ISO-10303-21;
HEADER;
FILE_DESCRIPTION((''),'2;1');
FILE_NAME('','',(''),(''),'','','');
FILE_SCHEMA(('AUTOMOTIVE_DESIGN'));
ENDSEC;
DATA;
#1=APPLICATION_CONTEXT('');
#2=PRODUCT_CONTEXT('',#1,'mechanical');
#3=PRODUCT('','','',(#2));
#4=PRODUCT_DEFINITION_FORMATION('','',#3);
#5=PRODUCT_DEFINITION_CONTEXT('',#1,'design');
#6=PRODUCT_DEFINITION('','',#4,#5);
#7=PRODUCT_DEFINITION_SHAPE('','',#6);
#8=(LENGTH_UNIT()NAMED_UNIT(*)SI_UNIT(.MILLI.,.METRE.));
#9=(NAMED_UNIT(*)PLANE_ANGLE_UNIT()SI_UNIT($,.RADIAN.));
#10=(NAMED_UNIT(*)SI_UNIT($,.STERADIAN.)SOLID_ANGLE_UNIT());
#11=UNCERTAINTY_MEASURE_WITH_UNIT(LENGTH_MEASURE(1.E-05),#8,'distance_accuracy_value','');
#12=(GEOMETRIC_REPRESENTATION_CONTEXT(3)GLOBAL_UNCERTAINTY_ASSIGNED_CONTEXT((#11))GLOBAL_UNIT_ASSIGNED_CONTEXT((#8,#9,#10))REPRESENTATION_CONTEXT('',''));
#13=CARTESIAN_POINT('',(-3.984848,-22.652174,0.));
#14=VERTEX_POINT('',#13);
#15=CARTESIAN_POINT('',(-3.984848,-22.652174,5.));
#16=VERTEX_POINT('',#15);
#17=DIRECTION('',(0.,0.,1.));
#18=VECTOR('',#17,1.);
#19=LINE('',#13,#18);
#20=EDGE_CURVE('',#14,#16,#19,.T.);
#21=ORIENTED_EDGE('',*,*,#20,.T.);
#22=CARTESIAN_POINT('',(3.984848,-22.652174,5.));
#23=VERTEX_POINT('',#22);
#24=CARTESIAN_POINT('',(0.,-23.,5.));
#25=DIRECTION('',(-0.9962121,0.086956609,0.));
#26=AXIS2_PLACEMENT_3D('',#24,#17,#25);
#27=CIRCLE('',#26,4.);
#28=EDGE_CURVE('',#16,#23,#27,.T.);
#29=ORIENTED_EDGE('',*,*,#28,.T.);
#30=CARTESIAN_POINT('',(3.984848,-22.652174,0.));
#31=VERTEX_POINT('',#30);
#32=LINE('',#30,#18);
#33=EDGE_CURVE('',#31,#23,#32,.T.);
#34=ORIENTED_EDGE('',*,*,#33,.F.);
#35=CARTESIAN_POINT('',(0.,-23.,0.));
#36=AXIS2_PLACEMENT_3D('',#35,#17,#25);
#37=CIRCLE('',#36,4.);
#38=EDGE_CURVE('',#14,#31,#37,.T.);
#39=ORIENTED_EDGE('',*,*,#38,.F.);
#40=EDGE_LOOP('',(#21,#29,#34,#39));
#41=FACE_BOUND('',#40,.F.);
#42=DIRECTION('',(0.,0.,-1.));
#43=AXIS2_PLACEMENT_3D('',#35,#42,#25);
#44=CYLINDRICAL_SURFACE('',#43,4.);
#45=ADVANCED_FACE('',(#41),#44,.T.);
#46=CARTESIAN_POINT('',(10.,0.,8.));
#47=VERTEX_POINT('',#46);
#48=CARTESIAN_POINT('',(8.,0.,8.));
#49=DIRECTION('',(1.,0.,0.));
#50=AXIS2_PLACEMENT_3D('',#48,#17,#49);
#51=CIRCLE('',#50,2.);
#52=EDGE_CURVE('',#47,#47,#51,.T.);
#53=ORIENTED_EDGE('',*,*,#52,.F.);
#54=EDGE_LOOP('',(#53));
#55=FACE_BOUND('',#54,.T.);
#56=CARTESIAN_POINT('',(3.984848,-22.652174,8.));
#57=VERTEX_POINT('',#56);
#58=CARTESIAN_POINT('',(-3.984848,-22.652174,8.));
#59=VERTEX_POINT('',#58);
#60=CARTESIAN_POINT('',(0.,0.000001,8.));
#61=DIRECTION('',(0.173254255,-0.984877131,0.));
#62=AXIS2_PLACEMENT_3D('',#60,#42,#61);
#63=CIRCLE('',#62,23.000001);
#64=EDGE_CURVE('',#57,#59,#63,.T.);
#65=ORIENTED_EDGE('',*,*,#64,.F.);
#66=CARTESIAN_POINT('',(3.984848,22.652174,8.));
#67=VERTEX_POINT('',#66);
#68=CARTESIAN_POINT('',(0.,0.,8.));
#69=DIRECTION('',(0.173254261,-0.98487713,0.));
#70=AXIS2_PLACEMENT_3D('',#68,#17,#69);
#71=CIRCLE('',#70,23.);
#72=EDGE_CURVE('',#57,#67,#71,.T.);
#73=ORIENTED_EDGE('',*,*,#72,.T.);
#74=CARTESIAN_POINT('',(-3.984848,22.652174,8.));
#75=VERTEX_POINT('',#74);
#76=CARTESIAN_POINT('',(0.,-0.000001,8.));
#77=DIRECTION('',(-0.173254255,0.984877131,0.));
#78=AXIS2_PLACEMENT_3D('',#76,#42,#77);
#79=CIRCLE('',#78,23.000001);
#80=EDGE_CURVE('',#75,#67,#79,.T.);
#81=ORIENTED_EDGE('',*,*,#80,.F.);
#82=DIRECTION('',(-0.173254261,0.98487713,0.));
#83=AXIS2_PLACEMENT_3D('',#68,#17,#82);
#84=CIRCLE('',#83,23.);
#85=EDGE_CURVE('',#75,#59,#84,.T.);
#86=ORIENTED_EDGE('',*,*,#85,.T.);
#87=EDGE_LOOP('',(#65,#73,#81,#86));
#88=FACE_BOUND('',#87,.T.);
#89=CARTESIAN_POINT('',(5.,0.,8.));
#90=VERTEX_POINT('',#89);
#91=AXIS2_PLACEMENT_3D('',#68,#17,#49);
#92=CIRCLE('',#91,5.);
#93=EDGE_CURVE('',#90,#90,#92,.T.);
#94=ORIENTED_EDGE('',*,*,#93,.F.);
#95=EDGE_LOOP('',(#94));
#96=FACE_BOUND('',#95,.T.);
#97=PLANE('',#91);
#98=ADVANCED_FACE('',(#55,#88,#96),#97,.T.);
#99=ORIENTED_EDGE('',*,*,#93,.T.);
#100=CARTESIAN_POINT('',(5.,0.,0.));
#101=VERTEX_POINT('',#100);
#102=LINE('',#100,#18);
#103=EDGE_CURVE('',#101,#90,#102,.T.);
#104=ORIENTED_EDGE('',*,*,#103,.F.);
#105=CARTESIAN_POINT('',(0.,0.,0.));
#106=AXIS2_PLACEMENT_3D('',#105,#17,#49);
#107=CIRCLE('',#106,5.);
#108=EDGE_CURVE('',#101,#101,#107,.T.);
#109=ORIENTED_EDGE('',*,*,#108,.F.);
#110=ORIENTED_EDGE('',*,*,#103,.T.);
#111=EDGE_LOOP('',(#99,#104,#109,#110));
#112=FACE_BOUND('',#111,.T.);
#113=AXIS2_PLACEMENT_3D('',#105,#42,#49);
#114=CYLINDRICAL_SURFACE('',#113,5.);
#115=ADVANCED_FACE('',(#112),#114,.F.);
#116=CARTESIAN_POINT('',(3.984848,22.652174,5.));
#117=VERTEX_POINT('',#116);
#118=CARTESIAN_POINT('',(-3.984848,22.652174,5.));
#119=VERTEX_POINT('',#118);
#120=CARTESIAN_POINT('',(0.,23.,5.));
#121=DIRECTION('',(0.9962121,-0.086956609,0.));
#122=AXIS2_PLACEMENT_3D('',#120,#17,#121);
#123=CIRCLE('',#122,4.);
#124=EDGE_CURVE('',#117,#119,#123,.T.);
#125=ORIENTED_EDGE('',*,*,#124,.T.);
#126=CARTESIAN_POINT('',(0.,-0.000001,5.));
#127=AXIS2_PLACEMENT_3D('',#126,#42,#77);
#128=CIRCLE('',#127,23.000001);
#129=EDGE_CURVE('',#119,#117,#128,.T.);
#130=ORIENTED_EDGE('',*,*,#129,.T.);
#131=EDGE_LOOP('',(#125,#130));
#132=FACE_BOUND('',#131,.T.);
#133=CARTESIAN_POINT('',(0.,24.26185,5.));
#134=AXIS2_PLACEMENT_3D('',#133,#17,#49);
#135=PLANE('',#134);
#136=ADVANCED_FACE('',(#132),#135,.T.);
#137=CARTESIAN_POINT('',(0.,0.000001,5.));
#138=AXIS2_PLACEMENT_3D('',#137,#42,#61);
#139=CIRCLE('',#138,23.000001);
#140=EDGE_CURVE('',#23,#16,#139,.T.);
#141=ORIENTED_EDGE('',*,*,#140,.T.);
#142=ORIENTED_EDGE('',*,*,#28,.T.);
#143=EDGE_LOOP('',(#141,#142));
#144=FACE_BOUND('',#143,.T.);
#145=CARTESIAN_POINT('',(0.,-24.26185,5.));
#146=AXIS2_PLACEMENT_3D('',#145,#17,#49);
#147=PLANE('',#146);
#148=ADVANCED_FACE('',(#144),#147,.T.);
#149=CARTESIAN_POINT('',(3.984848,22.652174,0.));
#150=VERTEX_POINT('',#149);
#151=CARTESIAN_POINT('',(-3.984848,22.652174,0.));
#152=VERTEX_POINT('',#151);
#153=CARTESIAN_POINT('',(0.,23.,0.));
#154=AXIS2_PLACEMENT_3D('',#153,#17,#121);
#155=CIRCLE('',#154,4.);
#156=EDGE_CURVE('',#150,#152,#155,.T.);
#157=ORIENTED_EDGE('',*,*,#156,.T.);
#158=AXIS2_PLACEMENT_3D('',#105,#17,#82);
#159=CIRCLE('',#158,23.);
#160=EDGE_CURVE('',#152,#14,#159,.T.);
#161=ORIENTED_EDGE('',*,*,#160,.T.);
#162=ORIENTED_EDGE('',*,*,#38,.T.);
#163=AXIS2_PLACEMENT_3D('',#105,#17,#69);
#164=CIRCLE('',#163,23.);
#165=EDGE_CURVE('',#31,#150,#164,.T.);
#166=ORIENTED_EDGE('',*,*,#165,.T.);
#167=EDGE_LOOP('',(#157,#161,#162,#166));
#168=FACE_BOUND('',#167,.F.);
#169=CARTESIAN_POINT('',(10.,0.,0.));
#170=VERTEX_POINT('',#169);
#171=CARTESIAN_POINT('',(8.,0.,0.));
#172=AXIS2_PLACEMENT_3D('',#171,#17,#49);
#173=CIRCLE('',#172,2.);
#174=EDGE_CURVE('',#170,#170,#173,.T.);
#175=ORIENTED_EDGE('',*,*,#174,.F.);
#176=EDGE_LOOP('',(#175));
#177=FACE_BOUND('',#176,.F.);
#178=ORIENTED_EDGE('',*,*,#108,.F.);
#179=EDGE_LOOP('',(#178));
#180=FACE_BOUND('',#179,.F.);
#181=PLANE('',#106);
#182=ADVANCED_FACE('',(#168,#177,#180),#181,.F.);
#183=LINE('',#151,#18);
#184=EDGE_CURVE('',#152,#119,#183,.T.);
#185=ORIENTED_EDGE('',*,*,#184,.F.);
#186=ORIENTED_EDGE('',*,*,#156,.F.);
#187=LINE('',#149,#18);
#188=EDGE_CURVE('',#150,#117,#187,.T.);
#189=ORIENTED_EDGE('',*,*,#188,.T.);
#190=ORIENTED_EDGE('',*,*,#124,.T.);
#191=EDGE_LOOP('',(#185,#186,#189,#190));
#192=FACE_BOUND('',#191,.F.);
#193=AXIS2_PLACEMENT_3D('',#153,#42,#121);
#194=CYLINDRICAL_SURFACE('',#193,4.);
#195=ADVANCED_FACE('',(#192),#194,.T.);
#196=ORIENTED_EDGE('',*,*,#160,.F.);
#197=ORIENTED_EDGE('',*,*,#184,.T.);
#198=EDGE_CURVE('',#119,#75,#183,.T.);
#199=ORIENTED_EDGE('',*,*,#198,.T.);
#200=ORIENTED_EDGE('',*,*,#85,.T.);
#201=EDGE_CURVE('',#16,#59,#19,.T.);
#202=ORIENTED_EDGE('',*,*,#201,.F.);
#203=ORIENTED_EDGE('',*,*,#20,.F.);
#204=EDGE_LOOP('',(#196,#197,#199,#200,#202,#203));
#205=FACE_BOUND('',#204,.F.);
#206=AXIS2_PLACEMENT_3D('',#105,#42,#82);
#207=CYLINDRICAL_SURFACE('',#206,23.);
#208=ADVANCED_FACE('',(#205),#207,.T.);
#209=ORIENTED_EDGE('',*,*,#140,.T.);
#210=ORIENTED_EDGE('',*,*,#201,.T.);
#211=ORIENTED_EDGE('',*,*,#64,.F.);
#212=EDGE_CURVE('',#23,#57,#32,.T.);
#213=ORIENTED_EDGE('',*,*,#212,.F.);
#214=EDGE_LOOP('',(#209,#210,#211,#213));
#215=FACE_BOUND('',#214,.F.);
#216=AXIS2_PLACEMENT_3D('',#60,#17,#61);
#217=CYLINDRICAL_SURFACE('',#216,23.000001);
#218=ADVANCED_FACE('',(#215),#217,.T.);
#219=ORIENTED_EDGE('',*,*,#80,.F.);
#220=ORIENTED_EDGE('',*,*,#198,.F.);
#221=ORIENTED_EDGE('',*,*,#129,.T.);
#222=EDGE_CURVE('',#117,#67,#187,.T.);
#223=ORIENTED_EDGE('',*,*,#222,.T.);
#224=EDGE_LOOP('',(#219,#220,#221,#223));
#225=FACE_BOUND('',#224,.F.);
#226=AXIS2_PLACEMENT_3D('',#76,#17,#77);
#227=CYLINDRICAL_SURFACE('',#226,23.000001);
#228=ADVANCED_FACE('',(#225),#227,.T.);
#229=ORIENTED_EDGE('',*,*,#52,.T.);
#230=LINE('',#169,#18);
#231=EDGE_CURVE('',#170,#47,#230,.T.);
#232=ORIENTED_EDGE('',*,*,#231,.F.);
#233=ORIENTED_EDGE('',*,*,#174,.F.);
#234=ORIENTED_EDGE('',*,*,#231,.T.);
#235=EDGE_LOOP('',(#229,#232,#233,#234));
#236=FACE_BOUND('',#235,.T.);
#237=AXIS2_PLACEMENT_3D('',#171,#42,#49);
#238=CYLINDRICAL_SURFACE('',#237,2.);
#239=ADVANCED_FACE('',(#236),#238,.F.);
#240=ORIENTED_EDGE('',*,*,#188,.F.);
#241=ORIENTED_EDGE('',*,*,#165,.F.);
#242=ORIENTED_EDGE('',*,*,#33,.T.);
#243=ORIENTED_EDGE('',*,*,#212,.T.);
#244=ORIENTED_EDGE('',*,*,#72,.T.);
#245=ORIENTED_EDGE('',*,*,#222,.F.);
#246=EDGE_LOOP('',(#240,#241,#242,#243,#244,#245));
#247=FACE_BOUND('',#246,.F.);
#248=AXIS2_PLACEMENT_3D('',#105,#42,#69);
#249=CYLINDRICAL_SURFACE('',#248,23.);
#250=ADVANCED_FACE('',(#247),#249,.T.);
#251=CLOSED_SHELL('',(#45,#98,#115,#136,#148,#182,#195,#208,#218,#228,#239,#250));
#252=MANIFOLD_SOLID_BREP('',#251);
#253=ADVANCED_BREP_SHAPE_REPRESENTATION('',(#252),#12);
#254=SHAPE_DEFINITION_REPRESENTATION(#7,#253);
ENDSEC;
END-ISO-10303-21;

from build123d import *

# Parameters (mm, degrees)
F0_R     = 5
F0_R_2   = 2
F1_DEPTH = 8
F3_DEPTH = 3


with BuildPart() as f1:
    # F0 (on Top) → F1 (new body)
    with BuildSketch(Plane.XY):
        with BuildLine():
            ThreePointArc((3.984848, 22.652174), (0, 27), (-3.984848, 22.652174))
            ThreePointArc((-3.984848, 22.652174), (-23, 0), (-3.984848, -22.652174))
            ThreePointArc((-3.984848, -22.652174), (0, -27), (3.984848, -22.652174))
            ThreePointArc((3.984848, -22.652174), (23, 0), (3.984848, 22.652174))
        make_face()
        Circle(F0_R, mode=Mode.SUBTRACT)
        with Locations((8, 0)):
            Circle(F0_R_2, mode=Mode.SUBTRACT)
    extrude(amount=F1_DEPTH)

    # F2 (on face) → F3 (cut)
    with BuildSketch(Plane.XY.offset(8)):
        with BuildLine():
            ThreePointArc((-3.984848, 22.652174), (0, 23), (3.984848, 22.652174))
            ThreePointArc((3.984848, 22.652174), (0, 27), (-3.984848, 22.652174))
        make_face()
        with BuildLine():
            ThreePointArc((-3.984848, -22.652174), (0, -27), (3.984848, -22.652174))
            ThreePointArc((3.984848, -22.652174), (0, -23), (-3.984848, -22.652174))
        make_face()
    extrude(amount=-F3_DEPTH, mode=Mode.SUBTRACT)


solid = f1.part
